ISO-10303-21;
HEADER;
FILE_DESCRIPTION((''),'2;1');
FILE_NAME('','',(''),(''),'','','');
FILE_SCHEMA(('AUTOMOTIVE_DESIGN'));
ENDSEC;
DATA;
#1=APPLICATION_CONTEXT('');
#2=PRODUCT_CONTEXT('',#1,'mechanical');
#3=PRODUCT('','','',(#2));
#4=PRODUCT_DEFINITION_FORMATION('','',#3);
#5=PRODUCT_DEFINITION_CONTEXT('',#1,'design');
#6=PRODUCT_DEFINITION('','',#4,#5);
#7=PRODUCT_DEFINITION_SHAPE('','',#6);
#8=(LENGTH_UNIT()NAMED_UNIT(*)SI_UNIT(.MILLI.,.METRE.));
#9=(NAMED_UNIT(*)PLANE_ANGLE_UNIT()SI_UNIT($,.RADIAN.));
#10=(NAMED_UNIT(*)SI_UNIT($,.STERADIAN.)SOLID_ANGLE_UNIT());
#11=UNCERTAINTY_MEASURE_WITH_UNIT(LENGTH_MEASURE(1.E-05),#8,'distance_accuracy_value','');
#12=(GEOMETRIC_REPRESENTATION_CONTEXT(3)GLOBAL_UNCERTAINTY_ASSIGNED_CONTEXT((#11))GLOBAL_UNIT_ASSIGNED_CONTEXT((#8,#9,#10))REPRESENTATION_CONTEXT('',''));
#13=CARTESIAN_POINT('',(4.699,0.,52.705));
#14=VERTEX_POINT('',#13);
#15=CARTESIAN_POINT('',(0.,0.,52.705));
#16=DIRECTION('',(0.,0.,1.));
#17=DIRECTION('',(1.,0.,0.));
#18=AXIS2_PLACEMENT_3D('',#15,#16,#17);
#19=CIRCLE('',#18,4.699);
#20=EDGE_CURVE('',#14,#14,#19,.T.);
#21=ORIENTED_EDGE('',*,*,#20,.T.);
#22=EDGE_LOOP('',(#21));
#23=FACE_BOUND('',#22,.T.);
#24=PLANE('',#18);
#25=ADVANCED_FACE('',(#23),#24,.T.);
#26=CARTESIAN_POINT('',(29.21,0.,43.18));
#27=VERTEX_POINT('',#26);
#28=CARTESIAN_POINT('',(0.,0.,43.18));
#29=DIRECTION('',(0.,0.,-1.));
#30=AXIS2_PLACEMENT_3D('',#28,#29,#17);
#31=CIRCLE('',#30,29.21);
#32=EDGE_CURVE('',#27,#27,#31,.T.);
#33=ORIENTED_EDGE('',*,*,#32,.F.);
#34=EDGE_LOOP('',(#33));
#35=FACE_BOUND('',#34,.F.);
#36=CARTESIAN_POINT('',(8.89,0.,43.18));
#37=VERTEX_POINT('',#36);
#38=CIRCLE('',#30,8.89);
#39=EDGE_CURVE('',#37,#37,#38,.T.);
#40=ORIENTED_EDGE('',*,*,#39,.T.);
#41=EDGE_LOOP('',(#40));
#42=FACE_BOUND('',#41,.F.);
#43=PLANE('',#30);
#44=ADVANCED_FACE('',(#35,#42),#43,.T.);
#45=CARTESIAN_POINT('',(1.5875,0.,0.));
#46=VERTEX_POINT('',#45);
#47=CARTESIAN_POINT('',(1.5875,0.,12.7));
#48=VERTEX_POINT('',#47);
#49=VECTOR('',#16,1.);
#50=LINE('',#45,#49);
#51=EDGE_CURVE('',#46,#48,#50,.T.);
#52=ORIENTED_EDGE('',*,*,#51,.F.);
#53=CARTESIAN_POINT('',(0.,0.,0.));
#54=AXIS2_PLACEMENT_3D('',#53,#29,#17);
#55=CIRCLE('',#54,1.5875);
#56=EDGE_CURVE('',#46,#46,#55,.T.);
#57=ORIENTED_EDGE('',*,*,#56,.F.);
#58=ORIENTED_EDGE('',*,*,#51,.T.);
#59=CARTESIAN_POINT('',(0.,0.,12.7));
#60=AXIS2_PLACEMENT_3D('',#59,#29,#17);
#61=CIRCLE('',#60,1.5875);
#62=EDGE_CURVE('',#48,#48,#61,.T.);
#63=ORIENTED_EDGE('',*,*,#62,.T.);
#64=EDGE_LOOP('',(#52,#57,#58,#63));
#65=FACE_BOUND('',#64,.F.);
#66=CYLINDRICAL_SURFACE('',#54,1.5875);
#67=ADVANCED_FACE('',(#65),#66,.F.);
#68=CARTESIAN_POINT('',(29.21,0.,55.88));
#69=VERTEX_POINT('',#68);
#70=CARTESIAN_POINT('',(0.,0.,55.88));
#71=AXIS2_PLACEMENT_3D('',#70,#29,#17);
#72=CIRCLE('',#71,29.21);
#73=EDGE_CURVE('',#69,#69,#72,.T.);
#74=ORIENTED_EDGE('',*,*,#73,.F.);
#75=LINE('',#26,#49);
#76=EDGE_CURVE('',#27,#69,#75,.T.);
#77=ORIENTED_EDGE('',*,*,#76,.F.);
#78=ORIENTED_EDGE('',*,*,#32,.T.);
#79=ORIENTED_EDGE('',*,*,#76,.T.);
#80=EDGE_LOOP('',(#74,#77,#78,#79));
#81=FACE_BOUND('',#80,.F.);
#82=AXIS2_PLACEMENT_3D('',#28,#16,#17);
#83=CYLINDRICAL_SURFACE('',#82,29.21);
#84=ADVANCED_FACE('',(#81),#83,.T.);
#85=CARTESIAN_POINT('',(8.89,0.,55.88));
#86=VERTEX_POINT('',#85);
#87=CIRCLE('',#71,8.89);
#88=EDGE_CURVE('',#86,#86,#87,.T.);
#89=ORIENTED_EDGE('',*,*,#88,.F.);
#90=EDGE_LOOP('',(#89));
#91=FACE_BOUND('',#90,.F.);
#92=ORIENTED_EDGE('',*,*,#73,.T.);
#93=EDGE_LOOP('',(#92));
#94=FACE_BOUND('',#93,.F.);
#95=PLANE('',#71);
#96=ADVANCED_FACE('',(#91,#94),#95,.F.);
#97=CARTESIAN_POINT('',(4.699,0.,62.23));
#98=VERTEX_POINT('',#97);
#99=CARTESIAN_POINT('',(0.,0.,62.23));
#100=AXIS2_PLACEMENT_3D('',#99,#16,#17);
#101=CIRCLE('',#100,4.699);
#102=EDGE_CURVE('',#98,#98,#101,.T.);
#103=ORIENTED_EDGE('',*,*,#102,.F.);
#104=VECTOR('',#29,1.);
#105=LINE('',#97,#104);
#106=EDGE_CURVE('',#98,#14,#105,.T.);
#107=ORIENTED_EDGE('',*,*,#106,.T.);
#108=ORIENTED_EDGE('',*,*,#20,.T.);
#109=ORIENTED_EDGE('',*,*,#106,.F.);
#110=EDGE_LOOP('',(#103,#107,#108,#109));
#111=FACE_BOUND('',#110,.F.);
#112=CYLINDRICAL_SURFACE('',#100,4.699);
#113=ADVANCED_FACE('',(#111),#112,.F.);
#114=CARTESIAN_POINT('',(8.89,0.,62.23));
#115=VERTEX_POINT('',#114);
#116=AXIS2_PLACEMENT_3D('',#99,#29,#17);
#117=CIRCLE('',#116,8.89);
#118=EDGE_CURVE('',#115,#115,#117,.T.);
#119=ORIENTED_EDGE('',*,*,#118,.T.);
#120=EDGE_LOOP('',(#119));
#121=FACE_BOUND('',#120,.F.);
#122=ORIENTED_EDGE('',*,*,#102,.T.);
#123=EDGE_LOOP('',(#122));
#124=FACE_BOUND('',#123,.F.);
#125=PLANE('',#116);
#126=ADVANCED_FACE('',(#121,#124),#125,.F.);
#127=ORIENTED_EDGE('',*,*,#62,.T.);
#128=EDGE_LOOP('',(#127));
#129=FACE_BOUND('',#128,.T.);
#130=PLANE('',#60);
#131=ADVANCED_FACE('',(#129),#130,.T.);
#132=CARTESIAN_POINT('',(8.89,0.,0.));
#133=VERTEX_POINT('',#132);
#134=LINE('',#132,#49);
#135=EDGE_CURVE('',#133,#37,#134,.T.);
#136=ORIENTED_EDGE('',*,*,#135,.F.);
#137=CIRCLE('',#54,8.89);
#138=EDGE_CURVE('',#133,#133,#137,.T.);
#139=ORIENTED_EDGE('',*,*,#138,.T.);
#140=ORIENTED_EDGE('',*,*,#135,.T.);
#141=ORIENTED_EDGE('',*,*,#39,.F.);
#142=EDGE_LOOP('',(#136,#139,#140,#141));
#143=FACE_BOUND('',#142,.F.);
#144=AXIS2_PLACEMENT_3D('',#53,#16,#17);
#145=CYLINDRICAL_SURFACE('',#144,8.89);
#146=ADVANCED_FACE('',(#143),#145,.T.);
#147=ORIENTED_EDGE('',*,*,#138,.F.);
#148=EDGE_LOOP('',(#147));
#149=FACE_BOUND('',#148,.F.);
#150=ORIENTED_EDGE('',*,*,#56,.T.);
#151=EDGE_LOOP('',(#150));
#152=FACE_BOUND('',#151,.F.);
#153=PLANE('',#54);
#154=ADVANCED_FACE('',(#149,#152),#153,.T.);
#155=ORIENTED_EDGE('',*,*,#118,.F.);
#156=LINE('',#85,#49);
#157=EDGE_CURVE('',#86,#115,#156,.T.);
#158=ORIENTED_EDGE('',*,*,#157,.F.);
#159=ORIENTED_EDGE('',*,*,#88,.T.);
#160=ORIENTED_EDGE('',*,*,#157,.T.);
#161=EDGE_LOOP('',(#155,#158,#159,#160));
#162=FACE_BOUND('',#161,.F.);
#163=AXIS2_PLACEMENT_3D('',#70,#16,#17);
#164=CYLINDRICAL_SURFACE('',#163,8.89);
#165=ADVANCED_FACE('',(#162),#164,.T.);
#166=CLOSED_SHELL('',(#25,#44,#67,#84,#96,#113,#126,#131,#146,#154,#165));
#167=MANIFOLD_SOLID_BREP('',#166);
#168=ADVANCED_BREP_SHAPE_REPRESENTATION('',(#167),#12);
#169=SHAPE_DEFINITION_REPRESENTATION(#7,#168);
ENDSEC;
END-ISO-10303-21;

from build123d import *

# Parameters (mm, degrees)
F2_R     = 4.699
F3_DEPTH = 9.525
F4_R     = 1.5875
F5_DEPTH = 12.7


with BuildPart() as f1:
    # F0 (on Front) → F1 (revolve)
    with BuildSketch(Plane.XZ):
        Polygon((0, 62.23), (0, 0), (8.89, 0), (8.89, 43.18), (29.21, 43.18), (29.21, 55.88), (8.89, 55.88), (8.89, 62.23), align=None)
    revolve(axis=Axis((0, 0, 31.115), (0, 0, -1)))

    # F2 (on face) → F3 (cut)
    with BuildSketch(Plane.XY.offset(62.23)):
        Circle(F2_R)
    extrude(amount=-F3_DEPTH, mode=Mode.SUBTRACT)

    # F4 (on face) → F5 (cut)
    with BuildSketch(Plane(origin=(0, 0, 0), x_dir=(1, 0, 0), z_dir=(0, 0, -1))):
        Circle(F4_R)
    extrude(amount=-F5_DEPTH, mode=Mode.SUBTRACT)


solid = f1.part
